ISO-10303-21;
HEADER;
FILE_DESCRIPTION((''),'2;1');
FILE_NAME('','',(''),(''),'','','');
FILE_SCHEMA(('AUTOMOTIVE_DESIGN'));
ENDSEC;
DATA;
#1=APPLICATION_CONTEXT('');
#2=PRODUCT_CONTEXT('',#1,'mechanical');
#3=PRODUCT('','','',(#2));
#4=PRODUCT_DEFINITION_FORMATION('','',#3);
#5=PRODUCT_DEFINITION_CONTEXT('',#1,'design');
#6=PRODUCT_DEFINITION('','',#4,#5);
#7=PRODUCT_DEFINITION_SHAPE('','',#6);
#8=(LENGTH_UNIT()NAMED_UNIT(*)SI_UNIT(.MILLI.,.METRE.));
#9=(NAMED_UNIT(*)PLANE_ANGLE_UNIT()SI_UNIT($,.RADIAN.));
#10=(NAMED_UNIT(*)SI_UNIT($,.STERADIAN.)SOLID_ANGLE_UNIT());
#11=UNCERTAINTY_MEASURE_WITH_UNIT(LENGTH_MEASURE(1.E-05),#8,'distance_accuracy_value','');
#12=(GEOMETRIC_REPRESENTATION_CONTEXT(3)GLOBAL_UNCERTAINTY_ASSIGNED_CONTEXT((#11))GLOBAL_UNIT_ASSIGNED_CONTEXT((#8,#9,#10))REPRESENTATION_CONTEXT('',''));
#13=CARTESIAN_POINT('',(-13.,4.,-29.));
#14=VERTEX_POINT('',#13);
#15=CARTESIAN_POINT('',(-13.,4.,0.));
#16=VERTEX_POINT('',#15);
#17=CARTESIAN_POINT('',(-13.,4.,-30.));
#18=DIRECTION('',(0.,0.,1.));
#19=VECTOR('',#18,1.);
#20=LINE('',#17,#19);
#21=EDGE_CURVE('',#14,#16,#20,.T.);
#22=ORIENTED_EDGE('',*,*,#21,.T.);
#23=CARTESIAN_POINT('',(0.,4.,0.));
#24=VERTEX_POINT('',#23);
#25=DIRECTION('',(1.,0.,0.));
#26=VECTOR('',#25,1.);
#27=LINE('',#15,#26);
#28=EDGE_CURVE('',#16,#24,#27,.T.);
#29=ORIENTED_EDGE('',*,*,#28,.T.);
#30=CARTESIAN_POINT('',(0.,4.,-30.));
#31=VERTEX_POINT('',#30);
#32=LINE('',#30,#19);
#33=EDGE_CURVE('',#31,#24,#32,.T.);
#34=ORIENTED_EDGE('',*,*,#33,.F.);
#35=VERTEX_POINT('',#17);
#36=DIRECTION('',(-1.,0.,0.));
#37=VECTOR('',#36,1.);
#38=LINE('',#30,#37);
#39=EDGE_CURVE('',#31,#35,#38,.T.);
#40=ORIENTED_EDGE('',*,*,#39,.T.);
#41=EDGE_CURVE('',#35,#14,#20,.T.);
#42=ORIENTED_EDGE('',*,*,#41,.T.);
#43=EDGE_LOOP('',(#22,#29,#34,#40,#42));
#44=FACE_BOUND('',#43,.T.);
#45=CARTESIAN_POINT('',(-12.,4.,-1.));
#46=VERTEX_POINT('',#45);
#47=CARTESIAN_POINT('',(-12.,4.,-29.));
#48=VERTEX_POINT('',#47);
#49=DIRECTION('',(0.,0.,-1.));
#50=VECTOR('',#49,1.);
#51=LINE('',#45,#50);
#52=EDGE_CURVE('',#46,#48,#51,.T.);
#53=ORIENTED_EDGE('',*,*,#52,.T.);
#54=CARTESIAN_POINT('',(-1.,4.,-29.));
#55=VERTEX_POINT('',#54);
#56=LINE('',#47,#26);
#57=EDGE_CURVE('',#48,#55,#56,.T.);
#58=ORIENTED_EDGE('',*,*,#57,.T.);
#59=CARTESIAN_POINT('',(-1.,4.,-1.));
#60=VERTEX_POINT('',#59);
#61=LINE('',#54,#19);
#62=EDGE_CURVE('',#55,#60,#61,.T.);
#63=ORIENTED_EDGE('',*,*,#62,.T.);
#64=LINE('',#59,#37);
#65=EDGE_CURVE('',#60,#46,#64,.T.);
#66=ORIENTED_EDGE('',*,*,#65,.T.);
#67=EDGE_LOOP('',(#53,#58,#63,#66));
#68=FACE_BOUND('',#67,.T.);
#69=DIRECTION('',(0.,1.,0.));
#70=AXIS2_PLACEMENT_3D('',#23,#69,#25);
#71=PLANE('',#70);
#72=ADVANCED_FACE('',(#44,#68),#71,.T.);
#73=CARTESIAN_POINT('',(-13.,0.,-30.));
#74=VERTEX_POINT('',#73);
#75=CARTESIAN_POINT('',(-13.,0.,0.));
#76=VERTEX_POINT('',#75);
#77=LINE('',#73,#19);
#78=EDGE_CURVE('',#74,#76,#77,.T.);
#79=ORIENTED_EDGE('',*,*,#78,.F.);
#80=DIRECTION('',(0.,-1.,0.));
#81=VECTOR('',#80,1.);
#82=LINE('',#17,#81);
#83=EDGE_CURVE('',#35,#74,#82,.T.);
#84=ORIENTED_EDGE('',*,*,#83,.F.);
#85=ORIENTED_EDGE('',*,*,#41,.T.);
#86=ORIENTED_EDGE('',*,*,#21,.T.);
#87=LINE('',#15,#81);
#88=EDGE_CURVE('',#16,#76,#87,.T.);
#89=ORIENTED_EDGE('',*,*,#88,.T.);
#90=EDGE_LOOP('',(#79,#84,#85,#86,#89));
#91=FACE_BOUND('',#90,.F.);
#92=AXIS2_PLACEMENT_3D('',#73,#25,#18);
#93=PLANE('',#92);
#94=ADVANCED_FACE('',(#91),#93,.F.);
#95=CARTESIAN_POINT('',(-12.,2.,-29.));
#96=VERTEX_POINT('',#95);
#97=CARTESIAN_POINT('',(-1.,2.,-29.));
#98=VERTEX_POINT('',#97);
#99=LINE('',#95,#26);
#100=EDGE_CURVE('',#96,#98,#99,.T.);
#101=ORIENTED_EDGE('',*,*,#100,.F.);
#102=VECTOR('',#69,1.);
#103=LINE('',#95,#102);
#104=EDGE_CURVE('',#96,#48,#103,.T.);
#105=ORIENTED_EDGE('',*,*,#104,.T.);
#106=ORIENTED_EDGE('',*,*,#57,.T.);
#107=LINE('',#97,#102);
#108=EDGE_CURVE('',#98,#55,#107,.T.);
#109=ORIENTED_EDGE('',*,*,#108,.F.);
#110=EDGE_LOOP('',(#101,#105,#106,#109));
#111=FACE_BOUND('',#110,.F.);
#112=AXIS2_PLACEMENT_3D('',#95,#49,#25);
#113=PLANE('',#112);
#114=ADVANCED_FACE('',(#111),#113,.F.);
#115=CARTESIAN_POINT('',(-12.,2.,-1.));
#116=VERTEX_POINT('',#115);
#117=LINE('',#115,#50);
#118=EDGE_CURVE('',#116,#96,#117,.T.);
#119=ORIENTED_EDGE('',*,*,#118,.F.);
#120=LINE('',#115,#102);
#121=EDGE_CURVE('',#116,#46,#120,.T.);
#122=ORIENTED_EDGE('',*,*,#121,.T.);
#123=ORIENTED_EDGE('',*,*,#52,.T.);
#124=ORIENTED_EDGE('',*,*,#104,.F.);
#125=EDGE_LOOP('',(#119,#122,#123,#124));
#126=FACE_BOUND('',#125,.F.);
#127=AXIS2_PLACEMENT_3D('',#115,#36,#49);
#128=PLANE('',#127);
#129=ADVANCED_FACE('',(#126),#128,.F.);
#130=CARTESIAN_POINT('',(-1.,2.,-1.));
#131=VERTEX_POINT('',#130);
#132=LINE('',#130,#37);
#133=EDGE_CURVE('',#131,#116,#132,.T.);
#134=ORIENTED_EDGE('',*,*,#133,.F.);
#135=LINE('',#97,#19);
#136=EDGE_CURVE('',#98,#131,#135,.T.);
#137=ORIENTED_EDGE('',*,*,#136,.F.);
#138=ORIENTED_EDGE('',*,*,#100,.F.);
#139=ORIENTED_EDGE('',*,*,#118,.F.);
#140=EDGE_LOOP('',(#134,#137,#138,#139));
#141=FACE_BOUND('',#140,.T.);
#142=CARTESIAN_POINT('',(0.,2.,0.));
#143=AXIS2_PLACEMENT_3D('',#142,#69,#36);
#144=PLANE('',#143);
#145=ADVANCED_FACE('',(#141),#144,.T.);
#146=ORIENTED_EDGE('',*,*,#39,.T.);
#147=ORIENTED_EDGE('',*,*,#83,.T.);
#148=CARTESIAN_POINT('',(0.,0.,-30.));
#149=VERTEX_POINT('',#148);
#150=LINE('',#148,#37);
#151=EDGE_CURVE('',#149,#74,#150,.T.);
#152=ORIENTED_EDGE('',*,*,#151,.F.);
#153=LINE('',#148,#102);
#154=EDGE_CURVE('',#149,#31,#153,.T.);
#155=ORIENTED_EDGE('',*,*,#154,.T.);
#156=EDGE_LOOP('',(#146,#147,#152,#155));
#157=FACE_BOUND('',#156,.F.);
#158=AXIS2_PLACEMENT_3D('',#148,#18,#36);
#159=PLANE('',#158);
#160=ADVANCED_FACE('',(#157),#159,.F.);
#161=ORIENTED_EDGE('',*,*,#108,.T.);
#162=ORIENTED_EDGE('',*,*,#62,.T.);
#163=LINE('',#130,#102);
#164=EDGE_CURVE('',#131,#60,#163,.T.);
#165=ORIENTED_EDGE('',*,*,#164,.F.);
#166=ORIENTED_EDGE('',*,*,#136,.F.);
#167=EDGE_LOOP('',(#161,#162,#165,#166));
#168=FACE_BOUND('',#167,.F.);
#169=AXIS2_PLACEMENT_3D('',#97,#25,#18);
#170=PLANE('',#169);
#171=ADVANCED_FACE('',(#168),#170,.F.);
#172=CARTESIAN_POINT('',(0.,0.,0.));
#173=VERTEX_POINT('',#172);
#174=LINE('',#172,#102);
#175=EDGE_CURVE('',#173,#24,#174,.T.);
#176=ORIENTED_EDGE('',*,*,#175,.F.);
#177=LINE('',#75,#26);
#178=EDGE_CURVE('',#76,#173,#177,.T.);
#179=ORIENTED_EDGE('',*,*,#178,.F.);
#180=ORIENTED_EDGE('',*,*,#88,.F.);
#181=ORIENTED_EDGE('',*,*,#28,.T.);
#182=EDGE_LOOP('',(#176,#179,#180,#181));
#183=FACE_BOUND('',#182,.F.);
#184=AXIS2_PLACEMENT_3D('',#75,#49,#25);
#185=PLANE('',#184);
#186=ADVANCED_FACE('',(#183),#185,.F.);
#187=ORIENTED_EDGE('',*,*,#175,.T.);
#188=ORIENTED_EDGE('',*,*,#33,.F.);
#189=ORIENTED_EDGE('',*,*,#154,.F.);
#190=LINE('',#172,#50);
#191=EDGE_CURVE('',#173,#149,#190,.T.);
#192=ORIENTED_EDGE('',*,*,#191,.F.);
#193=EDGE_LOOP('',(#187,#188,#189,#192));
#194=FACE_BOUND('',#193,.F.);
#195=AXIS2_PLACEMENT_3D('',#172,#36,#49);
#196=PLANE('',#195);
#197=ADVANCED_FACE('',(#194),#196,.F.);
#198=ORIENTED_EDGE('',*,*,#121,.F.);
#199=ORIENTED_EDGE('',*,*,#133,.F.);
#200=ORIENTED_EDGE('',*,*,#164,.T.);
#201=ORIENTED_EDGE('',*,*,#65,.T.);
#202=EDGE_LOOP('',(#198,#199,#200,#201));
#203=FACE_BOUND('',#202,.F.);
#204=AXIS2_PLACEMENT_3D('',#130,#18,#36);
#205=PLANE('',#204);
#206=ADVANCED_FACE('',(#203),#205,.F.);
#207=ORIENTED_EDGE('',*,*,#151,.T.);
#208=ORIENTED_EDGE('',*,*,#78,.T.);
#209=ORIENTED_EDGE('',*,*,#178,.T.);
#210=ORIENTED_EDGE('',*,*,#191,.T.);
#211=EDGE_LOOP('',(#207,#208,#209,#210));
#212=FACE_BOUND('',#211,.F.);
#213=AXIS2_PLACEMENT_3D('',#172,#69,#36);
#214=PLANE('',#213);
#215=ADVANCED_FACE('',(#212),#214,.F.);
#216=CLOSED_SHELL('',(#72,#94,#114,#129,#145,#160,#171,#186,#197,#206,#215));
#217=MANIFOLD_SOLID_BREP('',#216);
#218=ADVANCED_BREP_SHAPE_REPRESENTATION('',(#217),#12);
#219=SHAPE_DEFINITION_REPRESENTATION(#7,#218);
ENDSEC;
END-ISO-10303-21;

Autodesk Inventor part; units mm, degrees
ref_plane "YZ Plane" through (0, 0, 0) normal (1, 0, 0) x (0, 1, 0)
ref_plane "XZ Plane" through (0, 0, 0) normal (0, 1, 0) x (-1, 0, 0)
ref_plane "XY Plane" through (0, 0, 0) normal (0, 0, 1) x (1, 0, 0)
sketch "Sketch1" plane through (0, 0, 0) normal (0, 1, 0) x (-1, 0, 0)
  line L0 (0, 0) -> (0, -30)
  line L1 (0, -30) -> (13, -30)
  line L2 (13, -30) -> (13, 0)
  line L3 (13, 0) -> (0, 0)
  dimension "d0" = 30
  dimension "d1" = 13
extrude "Extrusion1" add sketch "Sketch1" along normal blind 2
sketch "Sketch2" plane through (0, 2, 0) normal (0, 1, 0) x (1, 0, 0)
  line L0 (-13, 30) -> (-13, 0) projected
  line L1 (0, 30) -> (-13, 30) projected
  line L2 (-13, 30) -> (-13, 0) projected
  line L3 (-13, 0) -> (0, 0) projected
  line L4 (0, 0) -> (0, 30) projected
  line L5 (0, 0) -> (0, 30) projected
  line L6 (0, 0) -> (0, 3)
  line L7 (-13, 30) -> (-13, 29)
  line L8 (-13, 29) -> (-12, 29)
  line L9 (-12, 29) -> (-1, 29)
  line L10 (-1, 29) -> (-1, 1)
  line L11 (-1, 1) -> (-12, 1)
  line L12 (-12, 1) -> (-12, 29)
  dimension "d13" = 1
  dimension "d14" = 1
  dimension "d15" = 11
  dimension "d16" = 28
extrude "Extrusion2" add sketch "Sketch2" along normal blind 2
properties part number "reed-switch-compartment"
